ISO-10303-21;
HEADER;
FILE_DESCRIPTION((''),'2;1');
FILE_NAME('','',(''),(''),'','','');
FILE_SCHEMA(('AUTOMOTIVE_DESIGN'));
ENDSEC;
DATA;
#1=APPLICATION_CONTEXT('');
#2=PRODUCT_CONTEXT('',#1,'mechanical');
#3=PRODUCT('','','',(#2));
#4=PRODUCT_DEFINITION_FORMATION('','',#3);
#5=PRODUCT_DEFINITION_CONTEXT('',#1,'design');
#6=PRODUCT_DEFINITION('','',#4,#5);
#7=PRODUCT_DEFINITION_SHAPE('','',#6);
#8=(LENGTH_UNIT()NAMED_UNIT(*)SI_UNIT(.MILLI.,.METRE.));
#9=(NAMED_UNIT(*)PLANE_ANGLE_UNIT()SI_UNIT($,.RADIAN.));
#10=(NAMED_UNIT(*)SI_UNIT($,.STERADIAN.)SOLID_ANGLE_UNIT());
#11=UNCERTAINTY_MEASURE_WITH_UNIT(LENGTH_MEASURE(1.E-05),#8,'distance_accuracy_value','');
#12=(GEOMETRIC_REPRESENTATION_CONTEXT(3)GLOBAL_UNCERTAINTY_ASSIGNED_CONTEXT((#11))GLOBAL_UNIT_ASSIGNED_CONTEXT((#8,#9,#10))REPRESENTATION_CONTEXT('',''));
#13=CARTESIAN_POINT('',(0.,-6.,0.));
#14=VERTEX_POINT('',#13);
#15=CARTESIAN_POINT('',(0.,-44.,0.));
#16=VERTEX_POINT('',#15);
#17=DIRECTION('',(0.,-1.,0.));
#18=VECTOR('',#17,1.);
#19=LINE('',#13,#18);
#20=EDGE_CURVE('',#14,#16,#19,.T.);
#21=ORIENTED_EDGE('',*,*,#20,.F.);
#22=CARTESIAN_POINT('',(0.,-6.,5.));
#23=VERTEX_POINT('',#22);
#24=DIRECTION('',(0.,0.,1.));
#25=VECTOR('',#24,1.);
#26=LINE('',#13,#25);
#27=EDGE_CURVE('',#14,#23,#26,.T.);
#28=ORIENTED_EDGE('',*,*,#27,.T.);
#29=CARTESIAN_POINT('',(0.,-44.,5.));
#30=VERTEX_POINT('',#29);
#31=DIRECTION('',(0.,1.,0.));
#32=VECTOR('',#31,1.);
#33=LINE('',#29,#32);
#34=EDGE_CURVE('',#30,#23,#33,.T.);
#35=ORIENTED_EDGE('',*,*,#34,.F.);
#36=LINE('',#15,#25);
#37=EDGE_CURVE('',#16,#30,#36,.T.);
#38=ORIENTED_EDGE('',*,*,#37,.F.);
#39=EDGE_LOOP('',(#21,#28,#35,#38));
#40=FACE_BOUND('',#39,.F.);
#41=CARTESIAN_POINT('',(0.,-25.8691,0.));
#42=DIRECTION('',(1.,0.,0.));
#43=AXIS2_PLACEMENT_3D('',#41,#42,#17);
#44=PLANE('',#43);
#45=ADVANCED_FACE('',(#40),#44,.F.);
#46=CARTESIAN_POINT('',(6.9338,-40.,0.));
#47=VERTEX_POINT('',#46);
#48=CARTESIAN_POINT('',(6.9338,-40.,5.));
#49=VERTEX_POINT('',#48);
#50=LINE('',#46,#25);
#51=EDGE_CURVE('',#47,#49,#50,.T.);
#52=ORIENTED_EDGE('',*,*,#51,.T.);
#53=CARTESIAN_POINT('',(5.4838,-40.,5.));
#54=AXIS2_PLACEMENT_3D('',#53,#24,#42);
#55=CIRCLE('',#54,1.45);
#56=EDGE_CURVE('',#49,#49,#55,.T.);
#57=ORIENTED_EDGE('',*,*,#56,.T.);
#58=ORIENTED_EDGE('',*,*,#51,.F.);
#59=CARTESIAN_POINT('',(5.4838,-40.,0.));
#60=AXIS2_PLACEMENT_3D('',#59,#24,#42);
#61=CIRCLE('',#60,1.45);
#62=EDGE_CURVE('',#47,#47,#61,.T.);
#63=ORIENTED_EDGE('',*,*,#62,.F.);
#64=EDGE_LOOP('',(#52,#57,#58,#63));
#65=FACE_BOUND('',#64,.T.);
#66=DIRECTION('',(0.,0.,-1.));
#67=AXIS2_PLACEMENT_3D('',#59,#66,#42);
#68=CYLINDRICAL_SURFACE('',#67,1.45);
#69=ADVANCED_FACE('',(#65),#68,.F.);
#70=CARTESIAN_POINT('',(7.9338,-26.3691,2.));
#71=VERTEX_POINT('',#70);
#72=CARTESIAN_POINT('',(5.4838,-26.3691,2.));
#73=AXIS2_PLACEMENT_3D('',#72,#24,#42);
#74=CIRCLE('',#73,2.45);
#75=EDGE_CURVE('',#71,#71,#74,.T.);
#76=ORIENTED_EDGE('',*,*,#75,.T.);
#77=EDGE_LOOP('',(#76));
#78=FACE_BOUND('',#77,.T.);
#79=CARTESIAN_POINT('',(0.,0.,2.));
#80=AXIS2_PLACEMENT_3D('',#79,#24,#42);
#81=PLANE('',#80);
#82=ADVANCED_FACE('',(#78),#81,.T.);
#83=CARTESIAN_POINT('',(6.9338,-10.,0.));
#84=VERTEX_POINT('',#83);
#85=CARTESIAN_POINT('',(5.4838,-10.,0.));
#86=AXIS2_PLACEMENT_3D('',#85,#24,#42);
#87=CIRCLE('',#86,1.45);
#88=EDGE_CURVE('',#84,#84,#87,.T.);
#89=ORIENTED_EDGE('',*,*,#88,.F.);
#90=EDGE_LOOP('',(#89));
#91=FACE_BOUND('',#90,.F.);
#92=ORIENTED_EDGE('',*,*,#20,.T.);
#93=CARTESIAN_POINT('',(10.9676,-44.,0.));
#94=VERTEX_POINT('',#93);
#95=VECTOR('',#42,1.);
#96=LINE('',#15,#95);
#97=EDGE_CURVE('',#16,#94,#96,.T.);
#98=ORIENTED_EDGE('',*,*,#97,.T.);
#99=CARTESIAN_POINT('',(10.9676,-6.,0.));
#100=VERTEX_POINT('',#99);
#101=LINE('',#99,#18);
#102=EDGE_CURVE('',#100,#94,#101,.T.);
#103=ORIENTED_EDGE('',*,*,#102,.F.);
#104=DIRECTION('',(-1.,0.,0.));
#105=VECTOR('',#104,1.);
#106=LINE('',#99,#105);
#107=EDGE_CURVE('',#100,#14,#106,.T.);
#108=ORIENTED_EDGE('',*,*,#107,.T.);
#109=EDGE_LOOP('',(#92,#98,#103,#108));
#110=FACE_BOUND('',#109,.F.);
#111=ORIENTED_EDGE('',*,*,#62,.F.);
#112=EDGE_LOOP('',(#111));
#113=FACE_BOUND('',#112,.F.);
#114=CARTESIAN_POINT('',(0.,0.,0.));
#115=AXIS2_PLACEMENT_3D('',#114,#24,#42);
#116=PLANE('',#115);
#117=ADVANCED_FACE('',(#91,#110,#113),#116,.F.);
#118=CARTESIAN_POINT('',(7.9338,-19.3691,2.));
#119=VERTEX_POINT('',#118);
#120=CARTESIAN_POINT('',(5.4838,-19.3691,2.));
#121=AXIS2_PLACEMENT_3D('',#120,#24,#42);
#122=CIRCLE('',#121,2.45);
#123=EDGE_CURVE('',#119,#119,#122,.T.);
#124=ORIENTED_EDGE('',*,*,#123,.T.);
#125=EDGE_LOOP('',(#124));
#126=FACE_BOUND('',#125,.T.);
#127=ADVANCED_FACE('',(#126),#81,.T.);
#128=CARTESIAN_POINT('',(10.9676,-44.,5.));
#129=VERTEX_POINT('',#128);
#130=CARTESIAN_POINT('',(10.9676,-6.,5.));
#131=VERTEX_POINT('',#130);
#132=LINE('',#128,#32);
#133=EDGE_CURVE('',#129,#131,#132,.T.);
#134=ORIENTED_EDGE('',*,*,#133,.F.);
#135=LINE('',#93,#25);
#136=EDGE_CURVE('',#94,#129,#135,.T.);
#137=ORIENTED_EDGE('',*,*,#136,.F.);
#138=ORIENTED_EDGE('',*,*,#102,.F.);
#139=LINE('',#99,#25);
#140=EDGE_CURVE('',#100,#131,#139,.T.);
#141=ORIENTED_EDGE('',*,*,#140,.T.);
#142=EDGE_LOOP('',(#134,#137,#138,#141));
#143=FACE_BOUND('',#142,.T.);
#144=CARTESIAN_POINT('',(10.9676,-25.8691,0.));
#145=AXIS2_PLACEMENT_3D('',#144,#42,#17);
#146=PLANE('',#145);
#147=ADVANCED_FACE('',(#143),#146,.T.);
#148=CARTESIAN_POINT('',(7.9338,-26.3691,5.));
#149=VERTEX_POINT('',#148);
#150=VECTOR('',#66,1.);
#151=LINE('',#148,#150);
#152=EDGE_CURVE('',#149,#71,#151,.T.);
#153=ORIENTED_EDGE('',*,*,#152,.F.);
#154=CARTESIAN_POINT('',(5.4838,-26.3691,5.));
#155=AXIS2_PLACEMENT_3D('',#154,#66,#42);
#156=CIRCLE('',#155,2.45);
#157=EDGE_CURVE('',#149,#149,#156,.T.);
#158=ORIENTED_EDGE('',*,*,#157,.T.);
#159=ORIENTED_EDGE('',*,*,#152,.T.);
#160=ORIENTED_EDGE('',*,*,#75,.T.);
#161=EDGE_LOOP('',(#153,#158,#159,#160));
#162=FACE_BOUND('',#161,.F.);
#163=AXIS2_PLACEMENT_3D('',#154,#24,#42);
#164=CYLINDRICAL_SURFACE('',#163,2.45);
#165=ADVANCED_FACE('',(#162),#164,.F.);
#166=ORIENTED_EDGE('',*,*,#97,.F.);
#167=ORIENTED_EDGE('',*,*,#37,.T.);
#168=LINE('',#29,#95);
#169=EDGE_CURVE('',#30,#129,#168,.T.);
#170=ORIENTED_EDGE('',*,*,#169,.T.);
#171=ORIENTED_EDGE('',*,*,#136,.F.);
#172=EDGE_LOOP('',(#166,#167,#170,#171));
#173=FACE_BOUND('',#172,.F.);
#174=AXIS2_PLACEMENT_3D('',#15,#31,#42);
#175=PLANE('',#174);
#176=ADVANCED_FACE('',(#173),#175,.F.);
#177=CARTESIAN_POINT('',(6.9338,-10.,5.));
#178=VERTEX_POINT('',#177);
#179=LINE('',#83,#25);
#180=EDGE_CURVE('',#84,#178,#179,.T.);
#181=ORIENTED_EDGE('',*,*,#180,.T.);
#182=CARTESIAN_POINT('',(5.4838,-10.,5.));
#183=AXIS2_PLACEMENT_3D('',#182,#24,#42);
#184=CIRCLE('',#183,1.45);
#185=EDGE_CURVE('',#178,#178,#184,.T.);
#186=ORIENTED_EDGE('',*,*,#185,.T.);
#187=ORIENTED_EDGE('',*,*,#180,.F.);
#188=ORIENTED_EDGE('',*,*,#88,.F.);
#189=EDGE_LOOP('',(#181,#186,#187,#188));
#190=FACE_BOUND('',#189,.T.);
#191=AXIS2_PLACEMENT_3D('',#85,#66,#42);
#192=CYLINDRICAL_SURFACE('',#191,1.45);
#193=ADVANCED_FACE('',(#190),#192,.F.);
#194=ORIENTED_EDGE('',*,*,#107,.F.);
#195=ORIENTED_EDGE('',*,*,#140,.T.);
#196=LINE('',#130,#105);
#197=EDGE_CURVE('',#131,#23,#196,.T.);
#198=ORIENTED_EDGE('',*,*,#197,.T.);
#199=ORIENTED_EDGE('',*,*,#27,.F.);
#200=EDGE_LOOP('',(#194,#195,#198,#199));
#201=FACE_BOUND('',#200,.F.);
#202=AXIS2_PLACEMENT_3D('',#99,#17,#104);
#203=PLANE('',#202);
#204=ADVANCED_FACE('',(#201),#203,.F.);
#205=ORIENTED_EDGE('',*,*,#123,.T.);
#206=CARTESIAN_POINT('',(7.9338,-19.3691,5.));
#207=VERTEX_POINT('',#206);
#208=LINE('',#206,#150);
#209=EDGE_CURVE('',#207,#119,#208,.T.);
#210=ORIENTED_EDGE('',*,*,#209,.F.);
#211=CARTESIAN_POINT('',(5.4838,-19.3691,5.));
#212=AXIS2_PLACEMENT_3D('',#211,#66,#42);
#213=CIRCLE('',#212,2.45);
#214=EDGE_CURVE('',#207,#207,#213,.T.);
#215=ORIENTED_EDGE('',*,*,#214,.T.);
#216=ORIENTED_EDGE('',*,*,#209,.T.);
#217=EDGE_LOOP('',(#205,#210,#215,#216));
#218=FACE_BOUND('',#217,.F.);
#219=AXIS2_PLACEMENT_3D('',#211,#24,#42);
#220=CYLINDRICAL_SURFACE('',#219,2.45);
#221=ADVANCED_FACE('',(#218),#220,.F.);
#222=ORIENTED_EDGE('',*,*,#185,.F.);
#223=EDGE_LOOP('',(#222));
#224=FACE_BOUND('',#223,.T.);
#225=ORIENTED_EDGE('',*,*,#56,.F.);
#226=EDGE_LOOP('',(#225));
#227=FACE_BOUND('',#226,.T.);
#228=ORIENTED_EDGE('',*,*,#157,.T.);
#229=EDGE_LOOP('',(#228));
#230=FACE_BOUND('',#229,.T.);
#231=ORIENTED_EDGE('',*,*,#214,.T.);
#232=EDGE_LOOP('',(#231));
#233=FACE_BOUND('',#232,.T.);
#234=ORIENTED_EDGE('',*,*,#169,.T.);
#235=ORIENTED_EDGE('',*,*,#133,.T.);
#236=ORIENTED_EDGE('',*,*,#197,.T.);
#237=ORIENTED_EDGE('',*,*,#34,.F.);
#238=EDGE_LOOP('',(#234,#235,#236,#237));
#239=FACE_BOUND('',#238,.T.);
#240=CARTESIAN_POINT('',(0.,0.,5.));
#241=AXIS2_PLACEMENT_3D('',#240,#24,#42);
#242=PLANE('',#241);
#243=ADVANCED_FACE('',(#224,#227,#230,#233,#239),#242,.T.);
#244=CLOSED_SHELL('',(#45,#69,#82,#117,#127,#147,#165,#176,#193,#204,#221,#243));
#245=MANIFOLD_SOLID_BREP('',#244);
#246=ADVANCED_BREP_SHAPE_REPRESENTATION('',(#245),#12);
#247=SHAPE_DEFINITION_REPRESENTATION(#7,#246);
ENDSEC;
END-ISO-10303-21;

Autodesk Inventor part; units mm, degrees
ref_plane "YZ Plane" through (0, 0, 0) normal (1, 0, 0) x (0, 1, 0)
ref_plane "XZ Plane" through (0, 0, 0) normal (0, 1, 0) x (-1, 0, 0)
ref_plane "XY Plane" through (0, 0, 0) normal (0, 0, 1) x (1, 0, 0)
ref_plane "Work Plane1" through (0, 0, 0) normal (0, 0, 1) x (1, 0, 0)
sketch "Sketch1" plane through (0, 0, 0) normal (0, 0, 1) x (1, 0, 0)
  line L0 (0, -200) -> (10.9676, -200) projected
  line L1 (10.9676, 0) -> (10.9676, -200) projected
  line L2 (0, 0) -> (10.9676, 0) projected
  line L3 (0, 0) -> (0, -200) projected
  circle A0 centre (5.4838, -10) radius 3 projected
  circle A1 centre (5.4838, -65) radius 3 projected
  circle A2 centre (5.4838, -40) radius 3 projected
  circle A3 centre (5.4838, -90) radius 3 projected
  circle A4 centre (5.4838, -115) radius 3 projected
  circle A5 centre (5.4838, -140) radius 3 projected
  circle A6 centre (5.4838, -165) radius 3 projected
  circle A7 centre (5.4838, -190) radius 3 projected
  line L4 (-130.7355, -19.8691) -> (119.2645, -19.8691)
  line L5 (-130.7355, -25.8691) -> (119.2645, -25.8691)
  line L6 (0, -44) -> (10.9676, -44)
  line L7 (10.9676, -44) -> (10.9676, -6)
  line L8 (10.9676, -6) -> (0, -6)
  line L9 (0, -6) -> (0, -44)
  circle A8 centre (5.4838, -40) radius 1.45
  circle A9 centre (5.4838, -10) radius 1.45
  dimension "d0" = 4
  dimension "d1" = 4
  dimension "d2" = 2.9
  dimension "d3" = 2.9
extrude "Extrusion1" add sketch "Sketch1" along normal blind 5 contours L3 L5 L1 L6 | L3 L4 L1 L5 | L3 L8 L1 L4 | A0 | A2
sketch "Sketch2" plane through (0, 0, 5) normal (0, 0, 1) x (1, 0, 0)
  line L0 (-130.7355, -19.8691) -> (119.2645, -19.8691)
  line L1 (-130.7355, -25.8691) -> (119.2645, -25.8691)
  circle A0 centre (5.4838, -40) radius 1.45 projected
  circle A1 centre (5.4838, -10) radius 1.45 projected
  line L2 (10.9676, -44) -> (10.9676, -6) projected
  line L3 (10.9676, -6) -> (0, -6) projected
  line L4 (0, -6) -> (0, -44) projected
  line L5 (0, -44) -> (10.9676, -44) projected
  circle A2 centre (5.4838, -19.3691) radius 2.45
  circle A3 centre (5.4838, -26.3691) radius 2.45
  line L6 (10.9676, -44) -> (10.9676, -6) projected
  point P0 (0, 0)
  dimension "d6" = 4.9
  dimension "d7" = 4.9
  dimension "d8" = 0.5
  dimension "d10" = 0.5
extrude "Extrusion2" cut sketch "Sketch2" against normal blind 3 contours A2 L0 | L0 A2 | A3 L1 | L1 A3
properties part number "16_Opentrons_Microscope_Slide_Bearing"
